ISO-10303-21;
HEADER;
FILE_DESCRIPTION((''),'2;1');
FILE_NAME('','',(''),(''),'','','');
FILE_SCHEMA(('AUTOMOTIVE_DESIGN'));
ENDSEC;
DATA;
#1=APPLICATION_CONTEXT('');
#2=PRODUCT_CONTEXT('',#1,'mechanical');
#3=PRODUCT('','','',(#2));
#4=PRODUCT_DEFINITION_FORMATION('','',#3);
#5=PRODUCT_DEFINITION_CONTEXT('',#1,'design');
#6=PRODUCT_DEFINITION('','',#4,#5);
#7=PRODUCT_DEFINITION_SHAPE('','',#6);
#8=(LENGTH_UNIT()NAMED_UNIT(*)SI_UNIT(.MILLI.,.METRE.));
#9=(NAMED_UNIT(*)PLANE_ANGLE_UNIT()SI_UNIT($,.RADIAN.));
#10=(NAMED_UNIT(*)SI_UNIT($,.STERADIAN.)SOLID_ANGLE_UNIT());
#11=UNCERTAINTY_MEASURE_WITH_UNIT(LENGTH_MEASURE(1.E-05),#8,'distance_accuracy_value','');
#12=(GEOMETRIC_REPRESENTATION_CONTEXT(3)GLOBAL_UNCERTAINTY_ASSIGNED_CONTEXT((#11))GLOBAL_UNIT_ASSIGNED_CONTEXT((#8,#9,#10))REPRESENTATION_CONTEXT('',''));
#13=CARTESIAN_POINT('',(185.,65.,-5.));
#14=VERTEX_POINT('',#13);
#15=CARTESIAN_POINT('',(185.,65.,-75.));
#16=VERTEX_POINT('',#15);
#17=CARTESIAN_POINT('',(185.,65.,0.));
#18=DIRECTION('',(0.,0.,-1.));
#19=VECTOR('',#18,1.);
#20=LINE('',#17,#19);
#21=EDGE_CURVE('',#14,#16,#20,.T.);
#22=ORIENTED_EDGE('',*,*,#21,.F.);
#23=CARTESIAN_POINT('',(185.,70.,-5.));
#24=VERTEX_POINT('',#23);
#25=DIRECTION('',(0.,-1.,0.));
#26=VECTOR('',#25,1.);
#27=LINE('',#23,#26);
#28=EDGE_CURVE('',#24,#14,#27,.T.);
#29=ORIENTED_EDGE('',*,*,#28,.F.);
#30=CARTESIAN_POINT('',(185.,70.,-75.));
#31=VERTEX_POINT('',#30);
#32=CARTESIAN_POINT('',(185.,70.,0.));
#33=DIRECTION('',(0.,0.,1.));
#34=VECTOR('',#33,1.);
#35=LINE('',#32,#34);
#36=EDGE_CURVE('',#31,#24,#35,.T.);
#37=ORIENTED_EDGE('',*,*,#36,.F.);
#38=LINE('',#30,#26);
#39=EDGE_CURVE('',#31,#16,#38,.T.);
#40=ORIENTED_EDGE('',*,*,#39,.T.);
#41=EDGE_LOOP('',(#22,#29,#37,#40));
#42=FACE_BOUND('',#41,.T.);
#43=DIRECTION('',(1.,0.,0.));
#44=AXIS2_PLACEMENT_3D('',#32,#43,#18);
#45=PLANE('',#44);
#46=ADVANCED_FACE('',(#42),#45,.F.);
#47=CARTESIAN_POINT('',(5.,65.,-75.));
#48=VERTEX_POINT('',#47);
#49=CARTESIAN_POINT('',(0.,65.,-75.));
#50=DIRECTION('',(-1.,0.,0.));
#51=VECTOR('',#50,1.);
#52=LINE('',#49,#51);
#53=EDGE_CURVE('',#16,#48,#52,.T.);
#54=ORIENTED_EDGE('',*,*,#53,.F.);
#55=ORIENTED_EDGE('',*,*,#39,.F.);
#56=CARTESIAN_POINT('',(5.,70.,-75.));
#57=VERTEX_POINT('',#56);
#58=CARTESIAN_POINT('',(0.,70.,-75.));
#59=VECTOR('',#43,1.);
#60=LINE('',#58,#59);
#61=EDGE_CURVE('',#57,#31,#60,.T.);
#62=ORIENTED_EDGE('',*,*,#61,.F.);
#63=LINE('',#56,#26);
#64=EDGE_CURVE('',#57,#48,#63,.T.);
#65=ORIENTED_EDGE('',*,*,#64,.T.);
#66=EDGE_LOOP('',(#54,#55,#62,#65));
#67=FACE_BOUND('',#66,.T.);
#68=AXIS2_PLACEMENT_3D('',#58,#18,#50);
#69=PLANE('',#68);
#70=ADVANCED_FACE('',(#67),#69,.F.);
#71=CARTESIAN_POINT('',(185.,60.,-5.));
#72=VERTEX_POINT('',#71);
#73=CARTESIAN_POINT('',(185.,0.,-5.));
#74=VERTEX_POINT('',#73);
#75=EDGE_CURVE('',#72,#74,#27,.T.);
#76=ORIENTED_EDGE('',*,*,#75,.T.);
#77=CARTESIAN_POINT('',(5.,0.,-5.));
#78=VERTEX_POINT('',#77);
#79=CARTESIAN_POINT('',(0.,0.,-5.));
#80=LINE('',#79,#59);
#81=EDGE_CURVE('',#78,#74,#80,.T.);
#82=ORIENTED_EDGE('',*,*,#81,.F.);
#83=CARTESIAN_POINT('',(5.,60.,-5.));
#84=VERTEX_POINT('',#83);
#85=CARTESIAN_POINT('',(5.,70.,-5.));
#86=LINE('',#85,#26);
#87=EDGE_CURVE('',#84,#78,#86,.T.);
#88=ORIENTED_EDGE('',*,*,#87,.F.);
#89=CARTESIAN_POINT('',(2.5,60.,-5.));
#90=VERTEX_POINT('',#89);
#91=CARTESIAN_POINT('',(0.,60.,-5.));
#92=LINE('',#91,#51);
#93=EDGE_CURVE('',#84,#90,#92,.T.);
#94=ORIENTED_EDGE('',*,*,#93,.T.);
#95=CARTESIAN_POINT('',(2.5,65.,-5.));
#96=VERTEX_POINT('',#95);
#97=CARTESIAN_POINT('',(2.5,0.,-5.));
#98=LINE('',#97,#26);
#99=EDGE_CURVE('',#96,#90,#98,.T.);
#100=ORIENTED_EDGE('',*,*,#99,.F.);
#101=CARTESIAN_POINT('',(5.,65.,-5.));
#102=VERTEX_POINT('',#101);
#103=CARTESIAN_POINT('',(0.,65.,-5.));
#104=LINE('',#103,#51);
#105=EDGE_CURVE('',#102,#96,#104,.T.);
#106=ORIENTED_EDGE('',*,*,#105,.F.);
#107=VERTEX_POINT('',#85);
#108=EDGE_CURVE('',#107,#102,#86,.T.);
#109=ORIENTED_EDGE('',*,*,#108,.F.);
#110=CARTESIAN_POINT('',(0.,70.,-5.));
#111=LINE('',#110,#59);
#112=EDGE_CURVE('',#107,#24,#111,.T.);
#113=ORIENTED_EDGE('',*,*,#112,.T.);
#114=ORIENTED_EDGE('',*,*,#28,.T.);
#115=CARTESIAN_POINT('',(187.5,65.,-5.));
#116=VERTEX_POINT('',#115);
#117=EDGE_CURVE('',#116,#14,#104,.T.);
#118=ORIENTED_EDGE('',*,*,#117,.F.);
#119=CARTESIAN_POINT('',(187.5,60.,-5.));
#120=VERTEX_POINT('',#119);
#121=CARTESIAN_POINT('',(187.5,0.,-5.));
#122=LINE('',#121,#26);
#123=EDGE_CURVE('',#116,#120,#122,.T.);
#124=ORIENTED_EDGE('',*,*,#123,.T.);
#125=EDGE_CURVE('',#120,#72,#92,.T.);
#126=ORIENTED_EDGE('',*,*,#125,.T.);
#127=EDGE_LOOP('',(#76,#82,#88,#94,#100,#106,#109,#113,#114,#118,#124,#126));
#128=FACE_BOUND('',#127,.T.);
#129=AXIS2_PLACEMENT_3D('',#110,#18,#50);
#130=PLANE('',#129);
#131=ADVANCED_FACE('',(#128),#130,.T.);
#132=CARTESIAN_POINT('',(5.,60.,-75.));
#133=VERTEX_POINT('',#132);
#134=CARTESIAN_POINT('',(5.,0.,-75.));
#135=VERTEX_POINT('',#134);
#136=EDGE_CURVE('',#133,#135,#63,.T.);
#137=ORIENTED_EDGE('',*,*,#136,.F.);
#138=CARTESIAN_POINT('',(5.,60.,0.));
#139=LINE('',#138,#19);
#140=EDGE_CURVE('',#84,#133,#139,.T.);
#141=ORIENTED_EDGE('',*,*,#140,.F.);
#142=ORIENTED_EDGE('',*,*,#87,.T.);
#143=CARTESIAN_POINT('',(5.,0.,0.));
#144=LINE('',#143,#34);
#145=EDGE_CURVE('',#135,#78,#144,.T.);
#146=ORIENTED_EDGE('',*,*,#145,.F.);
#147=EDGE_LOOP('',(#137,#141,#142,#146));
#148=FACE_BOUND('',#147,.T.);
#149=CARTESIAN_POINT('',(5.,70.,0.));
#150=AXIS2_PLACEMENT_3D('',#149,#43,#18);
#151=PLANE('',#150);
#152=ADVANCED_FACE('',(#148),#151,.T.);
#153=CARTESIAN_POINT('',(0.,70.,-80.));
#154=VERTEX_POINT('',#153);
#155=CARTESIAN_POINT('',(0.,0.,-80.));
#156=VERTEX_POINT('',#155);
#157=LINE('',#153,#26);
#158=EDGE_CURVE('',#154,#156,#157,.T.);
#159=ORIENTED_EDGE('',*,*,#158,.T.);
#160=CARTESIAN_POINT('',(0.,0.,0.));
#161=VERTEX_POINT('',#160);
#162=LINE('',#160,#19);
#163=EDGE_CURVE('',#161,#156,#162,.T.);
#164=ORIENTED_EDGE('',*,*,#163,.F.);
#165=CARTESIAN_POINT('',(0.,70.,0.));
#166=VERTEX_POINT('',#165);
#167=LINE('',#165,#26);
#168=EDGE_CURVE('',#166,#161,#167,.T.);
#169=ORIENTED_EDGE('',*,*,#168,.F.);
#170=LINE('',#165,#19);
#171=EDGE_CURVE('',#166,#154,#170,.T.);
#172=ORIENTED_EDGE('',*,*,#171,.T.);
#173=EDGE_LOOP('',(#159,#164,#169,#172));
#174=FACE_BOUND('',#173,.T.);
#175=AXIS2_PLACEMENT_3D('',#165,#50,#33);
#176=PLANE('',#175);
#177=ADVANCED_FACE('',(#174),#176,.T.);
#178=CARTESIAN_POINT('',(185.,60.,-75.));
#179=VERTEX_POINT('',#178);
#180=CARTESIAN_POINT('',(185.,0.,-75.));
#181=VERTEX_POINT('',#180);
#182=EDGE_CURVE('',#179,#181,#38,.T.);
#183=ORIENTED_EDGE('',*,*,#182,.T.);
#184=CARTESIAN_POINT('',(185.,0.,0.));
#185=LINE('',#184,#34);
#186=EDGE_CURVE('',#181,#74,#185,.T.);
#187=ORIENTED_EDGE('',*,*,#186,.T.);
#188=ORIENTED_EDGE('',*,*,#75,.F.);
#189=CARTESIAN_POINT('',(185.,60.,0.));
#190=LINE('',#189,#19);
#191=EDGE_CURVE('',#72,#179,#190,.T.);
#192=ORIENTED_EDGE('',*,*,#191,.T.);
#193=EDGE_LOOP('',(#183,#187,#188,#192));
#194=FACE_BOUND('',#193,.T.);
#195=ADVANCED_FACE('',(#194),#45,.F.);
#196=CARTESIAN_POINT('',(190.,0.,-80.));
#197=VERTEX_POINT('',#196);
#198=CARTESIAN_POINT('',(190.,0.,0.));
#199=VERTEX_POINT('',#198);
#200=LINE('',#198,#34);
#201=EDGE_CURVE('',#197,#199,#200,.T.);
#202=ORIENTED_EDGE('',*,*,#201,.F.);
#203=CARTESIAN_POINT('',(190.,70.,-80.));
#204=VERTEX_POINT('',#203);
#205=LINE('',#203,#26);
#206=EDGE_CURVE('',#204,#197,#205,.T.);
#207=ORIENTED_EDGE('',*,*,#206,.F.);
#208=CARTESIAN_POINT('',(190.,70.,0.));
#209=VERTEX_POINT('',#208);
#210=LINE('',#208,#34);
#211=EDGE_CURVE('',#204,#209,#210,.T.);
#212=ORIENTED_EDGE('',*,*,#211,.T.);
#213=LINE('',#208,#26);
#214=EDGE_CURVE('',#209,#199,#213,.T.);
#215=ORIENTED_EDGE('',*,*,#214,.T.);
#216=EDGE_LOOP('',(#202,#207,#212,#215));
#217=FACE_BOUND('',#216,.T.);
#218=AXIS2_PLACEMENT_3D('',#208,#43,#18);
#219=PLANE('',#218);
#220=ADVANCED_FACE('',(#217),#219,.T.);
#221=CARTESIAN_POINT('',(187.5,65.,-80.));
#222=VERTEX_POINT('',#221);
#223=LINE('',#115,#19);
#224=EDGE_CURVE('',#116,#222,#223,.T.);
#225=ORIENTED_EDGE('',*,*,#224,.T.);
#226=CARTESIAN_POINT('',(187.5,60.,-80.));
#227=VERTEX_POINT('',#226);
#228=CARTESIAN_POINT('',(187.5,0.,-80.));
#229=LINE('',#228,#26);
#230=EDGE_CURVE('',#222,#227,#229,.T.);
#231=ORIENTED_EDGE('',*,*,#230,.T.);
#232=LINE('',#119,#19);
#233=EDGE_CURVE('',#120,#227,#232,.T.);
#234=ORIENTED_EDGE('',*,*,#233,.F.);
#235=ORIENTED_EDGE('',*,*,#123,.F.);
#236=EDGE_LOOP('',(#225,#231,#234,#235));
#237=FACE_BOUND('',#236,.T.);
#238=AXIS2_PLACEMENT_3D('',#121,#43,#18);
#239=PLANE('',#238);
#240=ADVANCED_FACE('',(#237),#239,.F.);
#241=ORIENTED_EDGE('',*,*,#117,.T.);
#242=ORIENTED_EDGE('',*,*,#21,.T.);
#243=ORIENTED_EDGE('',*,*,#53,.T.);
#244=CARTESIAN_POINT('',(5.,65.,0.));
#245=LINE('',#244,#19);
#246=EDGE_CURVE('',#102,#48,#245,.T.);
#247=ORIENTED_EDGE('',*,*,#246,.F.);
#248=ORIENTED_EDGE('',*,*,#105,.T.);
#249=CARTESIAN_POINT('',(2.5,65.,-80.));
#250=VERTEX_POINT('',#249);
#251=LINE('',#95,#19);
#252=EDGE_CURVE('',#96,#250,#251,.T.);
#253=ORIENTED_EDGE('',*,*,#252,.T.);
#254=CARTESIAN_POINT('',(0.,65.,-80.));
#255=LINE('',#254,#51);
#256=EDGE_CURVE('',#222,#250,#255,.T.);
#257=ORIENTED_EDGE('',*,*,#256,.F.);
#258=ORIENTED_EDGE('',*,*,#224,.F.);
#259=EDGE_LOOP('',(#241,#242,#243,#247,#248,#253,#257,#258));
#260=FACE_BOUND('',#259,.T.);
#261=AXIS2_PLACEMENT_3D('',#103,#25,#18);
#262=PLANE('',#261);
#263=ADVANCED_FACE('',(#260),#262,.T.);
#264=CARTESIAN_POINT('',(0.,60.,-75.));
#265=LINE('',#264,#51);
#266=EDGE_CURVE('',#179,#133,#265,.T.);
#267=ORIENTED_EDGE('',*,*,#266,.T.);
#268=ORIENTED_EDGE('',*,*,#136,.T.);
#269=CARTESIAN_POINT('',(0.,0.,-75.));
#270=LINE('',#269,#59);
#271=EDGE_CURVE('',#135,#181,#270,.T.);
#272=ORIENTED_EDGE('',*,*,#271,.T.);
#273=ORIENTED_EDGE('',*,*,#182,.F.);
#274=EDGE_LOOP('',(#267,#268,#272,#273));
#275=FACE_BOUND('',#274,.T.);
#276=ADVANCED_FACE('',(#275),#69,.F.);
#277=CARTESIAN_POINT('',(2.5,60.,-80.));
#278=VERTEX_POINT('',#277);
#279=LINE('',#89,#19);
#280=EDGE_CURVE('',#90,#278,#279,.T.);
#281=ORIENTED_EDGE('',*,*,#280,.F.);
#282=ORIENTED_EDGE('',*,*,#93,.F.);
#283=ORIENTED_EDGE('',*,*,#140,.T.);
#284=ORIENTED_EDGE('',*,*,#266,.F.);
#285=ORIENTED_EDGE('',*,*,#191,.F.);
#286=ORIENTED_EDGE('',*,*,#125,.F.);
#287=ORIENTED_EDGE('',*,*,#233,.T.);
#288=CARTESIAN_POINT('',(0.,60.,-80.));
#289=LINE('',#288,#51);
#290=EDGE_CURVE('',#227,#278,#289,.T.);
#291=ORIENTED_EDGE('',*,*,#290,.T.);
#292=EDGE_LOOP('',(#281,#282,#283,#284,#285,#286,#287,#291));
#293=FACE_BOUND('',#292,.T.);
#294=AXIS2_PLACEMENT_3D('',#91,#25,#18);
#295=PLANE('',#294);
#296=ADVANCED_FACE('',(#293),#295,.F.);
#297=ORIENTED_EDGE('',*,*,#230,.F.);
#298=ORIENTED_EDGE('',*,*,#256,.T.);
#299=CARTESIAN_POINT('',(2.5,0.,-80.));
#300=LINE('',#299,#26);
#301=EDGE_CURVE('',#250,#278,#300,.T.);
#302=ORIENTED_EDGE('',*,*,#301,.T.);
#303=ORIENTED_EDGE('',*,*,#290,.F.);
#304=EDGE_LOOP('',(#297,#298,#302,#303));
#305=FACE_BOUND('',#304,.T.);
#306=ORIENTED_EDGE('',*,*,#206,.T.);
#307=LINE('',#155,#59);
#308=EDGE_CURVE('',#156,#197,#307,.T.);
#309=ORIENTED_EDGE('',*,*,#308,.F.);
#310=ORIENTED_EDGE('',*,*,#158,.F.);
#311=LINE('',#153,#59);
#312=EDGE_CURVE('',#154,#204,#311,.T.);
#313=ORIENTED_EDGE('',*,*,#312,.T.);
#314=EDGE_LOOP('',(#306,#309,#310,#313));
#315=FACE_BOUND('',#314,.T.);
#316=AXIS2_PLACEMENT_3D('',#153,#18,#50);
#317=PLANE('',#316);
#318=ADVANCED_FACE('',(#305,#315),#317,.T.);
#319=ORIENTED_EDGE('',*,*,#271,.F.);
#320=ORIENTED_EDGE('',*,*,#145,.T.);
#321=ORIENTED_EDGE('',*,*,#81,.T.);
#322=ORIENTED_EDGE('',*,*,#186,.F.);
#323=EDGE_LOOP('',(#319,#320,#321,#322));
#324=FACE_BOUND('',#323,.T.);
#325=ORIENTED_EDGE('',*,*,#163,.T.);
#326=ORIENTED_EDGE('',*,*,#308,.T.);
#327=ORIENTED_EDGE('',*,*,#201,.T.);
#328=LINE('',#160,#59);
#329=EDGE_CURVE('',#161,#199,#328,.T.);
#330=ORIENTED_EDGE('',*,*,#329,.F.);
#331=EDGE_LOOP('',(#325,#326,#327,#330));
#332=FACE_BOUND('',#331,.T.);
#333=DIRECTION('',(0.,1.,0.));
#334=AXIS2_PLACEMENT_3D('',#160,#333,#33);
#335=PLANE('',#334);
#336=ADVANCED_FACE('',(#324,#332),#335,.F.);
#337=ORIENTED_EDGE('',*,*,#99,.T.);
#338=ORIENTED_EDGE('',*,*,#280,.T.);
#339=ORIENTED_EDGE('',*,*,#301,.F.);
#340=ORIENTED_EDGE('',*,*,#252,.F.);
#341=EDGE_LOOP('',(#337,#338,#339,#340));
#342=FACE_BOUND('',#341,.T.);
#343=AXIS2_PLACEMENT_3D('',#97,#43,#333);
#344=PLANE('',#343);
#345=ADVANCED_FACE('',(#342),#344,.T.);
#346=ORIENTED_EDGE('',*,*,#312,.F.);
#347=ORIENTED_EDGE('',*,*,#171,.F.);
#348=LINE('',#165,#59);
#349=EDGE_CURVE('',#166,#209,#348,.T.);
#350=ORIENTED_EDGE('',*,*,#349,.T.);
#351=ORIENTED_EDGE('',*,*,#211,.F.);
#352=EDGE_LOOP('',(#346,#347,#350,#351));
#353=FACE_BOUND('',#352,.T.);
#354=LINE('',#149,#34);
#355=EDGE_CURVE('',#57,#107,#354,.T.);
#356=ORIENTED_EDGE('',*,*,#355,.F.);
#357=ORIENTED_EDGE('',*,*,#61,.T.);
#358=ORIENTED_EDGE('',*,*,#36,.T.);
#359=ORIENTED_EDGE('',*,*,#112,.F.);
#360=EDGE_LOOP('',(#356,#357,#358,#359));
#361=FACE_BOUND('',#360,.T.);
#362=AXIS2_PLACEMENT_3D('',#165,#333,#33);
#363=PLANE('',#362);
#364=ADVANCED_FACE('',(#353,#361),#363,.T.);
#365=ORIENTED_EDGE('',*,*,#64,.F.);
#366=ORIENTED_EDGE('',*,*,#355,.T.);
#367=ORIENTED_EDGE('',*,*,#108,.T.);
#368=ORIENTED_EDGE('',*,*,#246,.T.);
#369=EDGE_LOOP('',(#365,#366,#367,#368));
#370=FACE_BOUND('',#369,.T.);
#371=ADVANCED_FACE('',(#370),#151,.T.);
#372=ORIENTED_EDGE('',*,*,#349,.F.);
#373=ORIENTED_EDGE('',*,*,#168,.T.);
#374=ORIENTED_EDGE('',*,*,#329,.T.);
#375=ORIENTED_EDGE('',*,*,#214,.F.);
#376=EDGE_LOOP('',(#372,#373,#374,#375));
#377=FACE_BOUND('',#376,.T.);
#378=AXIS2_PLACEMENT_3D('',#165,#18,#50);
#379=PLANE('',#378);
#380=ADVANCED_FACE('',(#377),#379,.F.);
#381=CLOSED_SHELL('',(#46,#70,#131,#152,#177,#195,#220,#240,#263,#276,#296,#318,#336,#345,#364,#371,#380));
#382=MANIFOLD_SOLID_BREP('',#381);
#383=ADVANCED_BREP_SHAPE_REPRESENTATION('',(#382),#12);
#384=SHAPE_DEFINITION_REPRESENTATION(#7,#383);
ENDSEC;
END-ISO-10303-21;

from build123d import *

# Parameters (mm, degrees)
SKETCH1_W           = 190
SKETCH1_H           = 80
SKETCH1_W_2         = 180
SKETCH1_H_2         = 70
BOSS_EXTRUDE2_DEPTH = 70
SKETCH5_W           = 185
SKETCH5_H           = 5
CUT_EXTRUDE2_DEPTH  = 75


with BuildPart() as part:
    # Sketch1 → Boss-Extrude2 (new body)
    with BuildSketch(Plane(origin=(0, 0, 0), x_dir=(1, 0, 0), z_dir=(0, 1, 0))):
        with Locations((95, 40)):
            Rectangle(SKETCH1_W, SKETCH1_H)
        with Locations((95, 40)):
            Rectangle(SKETCH1_W_2, SKETCH1_H_2, mode=Mode.SUBTRACT)
    extrude(amount=BOSS_EXTRUDE2_DEPTH)

    # Sketch5 → Cut-Extrude2 (cut)
    with BuildSketch(Plane(origin=(0, 0, -80), x_dir=(-1, 0, 0), z_dir=(0, 0, -1))):
        with Locations((-95, 62.5)):
            Rectangle(SKETCH5_W, SKETCH5_H)
    extrude(amount=-CUT_EXTRUDE2_DEPTH, mode=Mode.SUBTRACT)


solid = part.part
